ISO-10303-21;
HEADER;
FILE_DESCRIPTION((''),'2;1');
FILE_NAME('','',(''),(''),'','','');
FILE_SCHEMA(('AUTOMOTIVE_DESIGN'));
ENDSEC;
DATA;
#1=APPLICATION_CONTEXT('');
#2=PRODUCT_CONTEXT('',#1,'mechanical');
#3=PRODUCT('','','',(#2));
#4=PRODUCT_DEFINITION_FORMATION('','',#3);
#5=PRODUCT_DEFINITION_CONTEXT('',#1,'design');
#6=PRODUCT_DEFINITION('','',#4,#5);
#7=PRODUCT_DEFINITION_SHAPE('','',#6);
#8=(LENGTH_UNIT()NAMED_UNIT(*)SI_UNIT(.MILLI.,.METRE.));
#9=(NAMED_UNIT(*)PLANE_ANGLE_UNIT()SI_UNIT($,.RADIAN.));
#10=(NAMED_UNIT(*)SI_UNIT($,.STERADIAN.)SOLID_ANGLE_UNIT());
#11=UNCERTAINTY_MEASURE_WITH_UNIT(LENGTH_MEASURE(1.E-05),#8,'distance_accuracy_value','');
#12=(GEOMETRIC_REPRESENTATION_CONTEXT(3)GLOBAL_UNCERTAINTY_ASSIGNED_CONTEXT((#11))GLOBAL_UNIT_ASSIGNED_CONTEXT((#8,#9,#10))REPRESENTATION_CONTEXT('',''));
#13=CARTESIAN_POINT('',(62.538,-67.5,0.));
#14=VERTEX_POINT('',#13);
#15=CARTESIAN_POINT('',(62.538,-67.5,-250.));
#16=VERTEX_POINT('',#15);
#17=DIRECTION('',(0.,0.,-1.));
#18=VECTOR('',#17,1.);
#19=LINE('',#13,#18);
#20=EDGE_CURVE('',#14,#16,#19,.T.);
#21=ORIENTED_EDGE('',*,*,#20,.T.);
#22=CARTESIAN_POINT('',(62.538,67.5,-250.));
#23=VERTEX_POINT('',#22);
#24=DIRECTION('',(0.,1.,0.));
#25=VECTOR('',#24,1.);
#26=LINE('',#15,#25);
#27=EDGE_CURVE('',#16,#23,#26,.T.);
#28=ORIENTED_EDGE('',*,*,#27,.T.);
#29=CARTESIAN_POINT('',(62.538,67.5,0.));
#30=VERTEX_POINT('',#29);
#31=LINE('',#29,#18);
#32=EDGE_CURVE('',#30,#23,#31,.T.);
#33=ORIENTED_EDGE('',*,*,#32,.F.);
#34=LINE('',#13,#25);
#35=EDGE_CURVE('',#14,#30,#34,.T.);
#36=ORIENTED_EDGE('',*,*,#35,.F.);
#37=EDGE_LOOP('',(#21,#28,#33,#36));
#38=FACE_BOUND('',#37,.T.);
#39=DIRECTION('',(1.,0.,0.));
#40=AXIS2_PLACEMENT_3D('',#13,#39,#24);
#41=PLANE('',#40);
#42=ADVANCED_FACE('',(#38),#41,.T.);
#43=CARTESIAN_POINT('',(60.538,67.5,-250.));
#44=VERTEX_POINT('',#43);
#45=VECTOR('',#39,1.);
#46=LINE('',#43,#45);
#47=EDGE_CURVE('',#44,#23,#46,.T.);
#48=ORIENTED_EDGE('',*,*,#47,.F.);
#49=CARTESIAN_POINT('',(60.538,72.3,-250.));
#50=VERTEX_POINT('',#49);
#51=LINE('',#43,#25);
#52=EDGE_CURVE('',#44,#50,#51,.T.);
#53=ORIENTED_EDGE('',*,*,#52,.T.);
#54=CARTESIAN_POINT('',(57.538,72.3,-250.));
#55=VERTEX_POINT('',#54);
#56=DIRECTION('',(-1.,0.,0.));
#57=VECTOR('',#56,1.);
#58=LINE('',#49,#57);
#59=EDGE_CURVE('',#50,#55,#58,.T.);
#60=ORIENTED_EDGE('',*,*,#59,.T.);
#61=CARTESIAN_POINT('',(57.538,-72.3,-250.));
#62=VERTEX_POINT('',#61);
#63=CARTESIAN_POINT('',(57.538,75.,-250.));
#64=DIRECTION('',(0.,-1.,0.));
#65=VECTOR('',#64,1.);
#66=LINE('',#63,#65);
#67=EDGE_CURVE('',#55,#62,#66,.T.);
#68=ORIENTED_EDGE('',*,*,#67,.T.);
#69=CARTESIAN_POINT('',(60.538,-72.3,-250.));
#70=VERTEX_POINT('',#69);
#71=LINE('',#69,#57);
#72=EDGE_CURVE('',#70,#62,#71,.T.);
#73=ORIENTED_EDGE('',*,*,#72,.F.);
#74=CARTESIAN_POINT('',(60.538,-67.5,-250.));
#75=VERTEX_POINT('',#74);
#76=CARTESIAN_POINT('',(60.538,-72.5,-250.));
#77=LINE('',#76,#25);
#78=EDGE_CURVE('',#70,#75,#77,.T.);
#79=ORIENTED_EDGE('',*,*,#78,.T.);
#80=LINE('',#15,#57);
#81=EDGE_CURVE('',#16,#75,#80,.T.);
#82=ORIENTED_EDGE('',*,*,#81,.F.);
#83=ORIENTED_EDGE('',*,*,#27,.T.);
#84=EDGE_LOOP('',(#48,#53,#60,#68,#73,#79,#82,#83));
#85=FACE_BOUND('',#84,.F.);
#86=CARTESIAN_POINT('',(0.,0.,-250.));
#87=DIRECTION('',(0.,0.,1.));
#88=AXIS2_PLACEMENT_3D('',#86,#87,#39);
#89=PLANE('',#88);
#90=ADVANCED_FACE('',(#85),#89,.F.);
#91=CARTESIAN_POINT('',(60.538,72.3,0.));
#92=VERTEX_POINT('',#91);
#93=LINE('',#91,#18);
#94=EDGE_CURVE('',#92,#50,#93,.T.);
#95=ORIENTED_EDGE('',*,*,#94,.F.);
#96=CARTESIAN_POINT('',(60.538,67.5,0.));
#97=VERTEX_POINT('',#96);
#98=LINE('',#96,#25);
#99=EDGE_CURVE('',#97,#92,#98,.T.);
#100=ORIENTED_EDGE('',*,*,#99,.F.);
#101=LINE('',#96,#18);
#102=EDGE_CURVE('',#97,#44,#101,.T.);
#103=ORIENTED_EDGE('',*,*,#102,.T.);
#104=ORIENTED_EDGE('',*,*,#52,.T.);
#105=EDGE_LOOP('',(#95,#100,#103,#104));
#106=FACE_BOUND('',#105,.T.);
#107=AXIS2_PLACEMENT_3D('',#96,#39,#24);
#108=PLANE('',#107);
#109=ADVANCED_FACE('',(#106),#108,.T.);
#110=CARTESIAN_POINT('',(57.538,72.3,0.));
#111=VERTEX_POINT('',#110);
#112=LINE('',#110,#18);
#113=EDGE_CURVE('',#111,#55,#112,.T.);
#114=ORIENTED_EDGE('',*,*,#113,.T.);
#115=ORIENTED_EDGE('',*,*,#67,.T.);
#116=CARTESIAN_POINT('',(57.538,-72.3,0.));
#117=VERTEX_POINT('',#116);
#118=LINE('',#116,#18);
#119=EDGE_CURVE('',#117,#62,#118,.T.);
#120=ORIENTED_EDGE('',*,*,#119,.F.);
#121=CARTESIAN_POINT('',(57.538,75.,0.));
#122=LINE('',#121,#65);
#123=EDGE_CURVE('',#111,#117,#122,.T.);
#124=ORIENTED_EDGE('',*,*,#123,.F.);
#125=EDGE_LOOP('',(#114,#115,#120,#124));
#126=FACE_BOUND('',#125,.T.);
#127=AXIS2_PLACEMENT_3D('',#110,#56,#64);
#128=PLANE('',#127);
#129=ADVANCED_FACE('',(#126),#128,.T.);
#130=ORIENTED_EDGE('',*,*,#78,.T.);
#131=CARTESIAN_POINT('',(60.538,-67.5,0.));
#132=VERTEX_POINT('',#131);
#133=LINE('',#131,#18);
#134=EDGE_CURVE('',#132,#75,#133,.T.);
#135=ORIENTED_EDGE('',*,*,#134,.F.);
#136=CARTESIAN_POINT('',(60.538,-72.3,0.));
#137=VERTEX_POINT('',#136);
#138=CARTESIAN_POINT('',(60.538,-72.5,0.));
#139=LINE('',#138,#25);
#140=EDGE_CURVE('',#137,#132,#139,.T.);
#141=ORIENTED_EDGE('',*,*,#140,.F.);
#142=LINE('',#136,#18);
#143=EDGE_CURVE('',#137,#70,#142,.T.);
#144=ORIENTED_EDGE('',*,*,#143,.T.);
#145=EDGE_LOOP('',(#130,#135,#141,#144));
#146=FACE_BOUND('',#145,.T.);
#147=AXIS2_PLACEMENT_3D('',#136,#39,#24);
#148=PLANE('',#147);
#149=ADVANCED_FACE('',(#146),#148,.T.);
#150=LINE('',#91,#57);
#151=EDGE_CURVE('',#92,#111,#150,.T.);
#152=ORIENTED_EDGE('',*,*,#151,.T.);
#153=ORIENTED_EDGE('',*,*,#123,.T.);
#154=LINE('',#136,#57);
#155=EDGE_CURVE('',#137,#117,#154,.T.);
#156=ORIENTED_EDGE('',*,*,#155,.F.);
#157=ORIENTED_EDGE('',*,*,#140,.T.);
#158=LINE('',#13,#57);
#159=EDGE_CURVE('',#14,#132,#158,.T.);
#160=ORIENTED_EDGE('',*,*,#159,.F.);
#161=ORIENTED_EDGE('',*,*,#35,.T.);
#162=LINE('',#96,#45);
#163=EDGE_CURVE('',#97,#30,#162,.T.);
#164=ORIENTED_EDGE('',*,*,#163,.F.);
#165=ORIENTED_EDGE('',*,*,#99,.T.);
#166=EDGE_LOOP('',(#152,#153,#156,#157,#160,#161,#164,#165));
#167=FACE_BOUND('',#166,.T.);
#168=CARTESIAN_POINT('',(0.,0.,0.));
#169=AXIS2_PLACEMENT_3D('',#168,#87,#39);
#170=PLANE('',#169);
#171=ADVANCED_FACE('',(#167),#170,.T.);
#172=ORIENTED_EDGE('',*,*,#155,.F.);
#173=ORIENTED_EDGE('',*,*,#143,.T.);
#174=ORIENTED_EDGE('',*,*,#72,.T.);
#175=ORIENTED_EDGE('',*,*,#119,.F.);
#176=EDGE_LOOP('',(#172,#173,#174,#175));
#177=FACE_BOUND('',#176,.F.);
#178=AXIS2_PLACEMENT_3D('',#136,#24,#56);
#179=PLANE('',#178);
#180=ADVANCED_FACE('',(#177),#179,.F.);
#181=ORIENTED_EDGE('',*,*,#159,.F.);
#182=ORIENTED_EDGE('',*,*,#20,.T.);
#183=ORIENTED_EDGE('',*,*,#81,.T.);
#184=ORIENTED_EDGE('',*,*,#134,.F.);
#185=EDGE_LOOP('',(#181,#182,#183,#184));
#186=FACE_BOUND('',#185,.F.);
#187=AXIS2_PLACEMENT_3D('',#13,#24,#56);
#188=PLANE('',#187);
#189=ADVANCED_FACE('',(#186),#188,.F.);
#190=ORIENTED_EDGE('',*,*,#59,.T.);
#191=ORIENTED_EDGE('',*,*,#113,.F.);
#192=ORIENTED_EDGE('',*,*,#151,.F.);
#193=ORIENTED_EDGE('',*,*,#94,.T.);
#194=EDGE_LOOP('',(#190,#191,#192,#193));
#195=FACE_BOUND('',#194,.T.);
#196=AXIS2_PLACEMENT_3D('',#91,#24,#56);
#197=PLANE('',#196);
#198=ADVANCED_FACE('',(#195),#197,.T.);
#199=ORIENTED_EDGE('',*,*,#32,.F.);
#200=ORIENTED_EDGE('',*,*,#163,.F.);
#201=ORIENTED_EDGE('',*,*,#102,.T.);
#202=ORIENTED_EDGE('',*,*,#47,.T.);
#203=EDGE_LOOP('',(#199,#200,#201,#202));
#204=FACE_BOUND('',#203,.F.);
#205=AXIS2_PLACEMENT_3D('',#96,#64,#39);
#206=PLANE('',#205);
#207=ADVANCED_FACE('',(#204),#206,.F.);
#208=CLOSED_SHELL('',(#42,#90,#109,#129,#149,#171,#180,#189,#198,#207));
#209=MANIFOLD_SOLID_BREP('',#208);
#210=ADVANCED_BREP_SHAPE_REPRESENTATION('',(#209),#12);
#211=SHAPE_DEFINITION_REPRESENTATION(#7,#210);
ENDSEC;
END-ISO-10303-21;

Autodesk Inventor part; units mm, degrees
ref_plane "YZ Plane" through (0, 0, 0) normal (1, 0, 0) x (0, 1, 0)
ref_plane "XZ Plane" through (0, 0, 0) normal (0, 1, 0) x (-1, 0, 0)
ref_plane "Work Plane1" through (0, 0, 0) normal (0, 0, 1) x (1, 0, 0)
sketch "Sketch1" plane through (0, 0, 0) normal (0, 0, 1) x (1, 0, 0)
  line L0 (62.538, -67.5) -> (62.538, 67.5) projected
  line L1 (57.538, 75) -> (57.538, -75) projected
  line L2 (60.538, 72.3) -> (57.538, 72.3) projected
  line L3 (60.538, 67.5) -> (60.538, 72.5) projected
  line L4 (60.538, -72.3) -> (57.538, -72.3) projected
  line L5 (60.538, -72.5) -> (60.538, -67.5) projected
  line L6 (62.538, -67.5) -> (60.538, -67.5) projected
  line L7 (57.538, 72.3) -> (60.538, 72.3)
  line L8 (60.538, 72.3) -> (60.538, -72.3)
  line L9 (60.538, -72.3) -> (57.538, -72.3)
  line L10 (57.538, -72.3) -> (57.538, 72.3)
  line L11 (62.538, -67.5) -> (60.538, -67.5)
  line L12 (60.538, -67.5) -> (60.538, 67.5)
  line L13 (60.538, 67.5) -> (62.538, 67.5)
  line L14 (62.538, 67.5) -> (62.538, -67.5)
  spline S0 degree 3 poles (88.1745, 80.1336) (86.4644, 80.1539) (84.1903, 80.1768) (79.3721, 80.2194) (76.1158, 80.2429) (70.2528, 80.2817) (68.432, 80.2919) (65.9587, 80.3052) knots 0.050371 0.050371 0.050371 0.050371 3.844611 3.844611 8.630626 8.630626 13.703565 13.703565 13.703565 13.703565 projected
  point P0 (0, 0)
  point P1 (62.538, 67.5)
  point P2 (57.538, 72.3)
  point P3 (57.538, -72.3)
ref_plane "Work Plane2" through (-62.538, -75, -250) normal (0, 0, 1) x (1, 0, 0)
extrude "Extrusion1" add sketch "Sketch1" against normal up to surface (250 mm away)
equation "\"BendRadius\" = Thickness"
equation "\"BendReliefWidth\" = Thickness"
equation "\"BendReliefDepth\" = 0.5 * Thickness"
equation "\"CornerReliefSize\" = 4 * Thickness"
equation "\"MinimumRemnant\" = 2 * Thickness"
equation "\"TransitionRadius\" = BendRadius"
equation "\"JacobiRadiusSize\" = BendRadius"
equation "\"GapSize\" = Thickness"
equation "\"Thickness\" = 3.048"
properties part number "Lid1" material "Plastic, Opaque White"
